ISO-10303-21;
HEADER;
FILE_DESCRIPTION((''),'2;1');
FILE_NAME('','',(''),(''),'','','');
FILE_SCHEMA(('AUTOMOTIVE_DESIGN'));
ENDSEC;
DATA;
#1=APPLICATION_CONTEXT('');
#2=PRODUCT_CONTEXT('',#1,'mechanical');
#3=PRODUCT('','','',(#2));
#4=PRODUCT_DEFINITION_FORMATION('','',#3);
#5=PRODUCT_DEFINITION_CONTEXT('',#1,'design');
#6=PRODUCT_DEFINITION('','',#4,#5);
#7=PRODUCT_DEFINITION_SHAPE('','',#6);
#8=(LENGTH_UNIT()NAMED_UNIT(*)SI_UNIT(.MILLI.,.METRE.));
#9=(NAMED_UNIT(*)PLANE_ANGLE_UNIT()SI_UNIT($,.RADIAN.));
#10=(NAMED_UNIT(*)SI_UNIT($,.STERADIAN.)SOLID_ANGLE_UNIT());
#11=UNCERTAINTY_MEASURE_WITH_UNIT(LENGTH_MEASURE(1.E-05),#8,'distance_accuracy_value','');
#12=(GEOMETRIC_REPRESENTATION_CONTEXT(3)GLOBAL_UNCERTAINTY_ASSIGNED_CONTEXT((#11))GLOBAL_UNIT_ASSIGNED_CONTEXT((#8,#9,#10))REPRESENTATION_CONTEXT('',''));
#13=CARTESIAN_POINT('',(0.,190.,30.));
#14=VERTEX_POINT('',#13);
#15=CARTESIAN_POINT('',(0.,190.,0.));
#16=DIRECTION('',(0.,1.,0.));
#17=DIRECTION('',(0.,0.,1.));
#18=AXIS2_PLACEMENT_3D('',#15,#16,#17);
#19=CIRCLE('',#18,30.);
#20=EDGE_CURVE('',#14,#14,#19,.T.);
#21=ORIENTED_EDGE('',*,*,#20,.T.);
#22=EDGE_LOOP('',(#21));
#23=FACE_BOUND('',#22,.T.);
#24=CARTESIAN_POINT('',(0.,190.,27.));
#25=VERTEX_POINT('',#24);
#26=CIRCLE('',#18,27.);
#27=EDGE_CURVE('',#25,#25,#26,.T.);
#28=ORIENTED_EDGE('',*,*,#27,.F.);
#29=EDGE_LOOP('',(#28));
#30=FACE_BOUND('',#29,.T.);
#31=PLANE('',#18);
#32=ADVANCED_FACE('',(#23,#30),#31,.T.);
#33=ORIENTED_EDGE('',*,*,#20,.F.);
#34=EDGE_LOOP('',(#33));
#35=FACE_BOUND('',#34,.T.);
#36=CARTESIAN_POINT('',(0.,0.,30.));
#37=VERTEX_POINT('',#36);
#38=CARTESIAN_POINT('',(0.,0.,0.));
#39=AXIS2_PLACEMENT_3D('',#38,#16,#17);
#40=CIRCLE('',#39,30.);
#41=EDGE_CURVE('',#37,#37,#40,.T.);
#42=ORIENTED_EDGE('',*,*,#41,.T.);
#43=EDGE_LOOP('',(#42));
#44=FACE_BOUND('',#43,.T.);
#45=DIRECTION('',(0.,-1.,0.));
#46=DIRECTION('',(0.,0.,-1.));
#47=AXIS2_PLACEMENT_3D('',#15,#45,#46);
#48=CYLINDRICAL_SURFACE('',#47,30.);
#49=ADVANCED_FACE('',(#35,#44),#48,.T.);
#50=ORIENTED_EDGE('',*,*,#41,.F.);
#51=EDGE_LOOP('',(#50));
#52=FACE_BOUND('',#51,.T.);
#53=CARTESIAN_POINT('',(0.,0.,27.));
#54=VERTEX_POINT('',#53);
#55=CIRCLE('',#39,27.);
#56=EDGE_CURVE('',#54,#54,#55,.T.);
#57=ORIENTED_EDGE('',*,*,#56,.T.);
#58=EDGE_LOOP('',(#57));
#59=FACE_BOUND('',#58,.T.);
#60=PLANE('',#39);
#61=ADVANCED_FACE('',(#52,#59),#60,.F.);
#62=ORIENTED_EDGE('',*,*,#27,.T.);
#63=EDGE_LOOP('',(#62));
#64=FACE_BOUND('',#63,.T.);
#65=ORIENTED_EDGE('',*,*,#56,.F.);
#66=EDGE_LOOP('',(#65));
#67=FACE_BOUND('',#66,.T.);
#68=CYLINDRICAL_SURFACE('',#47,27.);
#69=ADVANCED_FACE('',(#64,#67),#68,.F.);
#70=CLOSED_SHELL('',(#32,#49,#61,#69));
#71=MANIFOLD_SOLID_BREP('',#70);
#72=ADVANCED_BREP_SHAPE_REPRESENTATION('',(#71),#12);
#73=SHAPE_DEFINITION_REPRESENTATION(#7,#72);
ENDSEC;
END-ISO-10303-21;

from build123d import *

# Parameters (mm, degrees)
SKETCH_1_R      = 30
SKETCH_1_R_2    = 27
EXTRUDE_1_DEPTH = 190


with BuildPart() as part:
    # 草图1 → 凸台-拉伸1 (new body)
    with BuildSketch(Plane(origin=(0, 0, 0), x_dir=(1, 0, 0), z_dir=(0, 1, 0))):
        Circle(SKETCH_1_R)
        Circle(SKETCH_1_R_2, mode=Mode.SUBTRACT)
    extrude(amount=EXTRUDE_1_DEPTH)


solid = part.part
